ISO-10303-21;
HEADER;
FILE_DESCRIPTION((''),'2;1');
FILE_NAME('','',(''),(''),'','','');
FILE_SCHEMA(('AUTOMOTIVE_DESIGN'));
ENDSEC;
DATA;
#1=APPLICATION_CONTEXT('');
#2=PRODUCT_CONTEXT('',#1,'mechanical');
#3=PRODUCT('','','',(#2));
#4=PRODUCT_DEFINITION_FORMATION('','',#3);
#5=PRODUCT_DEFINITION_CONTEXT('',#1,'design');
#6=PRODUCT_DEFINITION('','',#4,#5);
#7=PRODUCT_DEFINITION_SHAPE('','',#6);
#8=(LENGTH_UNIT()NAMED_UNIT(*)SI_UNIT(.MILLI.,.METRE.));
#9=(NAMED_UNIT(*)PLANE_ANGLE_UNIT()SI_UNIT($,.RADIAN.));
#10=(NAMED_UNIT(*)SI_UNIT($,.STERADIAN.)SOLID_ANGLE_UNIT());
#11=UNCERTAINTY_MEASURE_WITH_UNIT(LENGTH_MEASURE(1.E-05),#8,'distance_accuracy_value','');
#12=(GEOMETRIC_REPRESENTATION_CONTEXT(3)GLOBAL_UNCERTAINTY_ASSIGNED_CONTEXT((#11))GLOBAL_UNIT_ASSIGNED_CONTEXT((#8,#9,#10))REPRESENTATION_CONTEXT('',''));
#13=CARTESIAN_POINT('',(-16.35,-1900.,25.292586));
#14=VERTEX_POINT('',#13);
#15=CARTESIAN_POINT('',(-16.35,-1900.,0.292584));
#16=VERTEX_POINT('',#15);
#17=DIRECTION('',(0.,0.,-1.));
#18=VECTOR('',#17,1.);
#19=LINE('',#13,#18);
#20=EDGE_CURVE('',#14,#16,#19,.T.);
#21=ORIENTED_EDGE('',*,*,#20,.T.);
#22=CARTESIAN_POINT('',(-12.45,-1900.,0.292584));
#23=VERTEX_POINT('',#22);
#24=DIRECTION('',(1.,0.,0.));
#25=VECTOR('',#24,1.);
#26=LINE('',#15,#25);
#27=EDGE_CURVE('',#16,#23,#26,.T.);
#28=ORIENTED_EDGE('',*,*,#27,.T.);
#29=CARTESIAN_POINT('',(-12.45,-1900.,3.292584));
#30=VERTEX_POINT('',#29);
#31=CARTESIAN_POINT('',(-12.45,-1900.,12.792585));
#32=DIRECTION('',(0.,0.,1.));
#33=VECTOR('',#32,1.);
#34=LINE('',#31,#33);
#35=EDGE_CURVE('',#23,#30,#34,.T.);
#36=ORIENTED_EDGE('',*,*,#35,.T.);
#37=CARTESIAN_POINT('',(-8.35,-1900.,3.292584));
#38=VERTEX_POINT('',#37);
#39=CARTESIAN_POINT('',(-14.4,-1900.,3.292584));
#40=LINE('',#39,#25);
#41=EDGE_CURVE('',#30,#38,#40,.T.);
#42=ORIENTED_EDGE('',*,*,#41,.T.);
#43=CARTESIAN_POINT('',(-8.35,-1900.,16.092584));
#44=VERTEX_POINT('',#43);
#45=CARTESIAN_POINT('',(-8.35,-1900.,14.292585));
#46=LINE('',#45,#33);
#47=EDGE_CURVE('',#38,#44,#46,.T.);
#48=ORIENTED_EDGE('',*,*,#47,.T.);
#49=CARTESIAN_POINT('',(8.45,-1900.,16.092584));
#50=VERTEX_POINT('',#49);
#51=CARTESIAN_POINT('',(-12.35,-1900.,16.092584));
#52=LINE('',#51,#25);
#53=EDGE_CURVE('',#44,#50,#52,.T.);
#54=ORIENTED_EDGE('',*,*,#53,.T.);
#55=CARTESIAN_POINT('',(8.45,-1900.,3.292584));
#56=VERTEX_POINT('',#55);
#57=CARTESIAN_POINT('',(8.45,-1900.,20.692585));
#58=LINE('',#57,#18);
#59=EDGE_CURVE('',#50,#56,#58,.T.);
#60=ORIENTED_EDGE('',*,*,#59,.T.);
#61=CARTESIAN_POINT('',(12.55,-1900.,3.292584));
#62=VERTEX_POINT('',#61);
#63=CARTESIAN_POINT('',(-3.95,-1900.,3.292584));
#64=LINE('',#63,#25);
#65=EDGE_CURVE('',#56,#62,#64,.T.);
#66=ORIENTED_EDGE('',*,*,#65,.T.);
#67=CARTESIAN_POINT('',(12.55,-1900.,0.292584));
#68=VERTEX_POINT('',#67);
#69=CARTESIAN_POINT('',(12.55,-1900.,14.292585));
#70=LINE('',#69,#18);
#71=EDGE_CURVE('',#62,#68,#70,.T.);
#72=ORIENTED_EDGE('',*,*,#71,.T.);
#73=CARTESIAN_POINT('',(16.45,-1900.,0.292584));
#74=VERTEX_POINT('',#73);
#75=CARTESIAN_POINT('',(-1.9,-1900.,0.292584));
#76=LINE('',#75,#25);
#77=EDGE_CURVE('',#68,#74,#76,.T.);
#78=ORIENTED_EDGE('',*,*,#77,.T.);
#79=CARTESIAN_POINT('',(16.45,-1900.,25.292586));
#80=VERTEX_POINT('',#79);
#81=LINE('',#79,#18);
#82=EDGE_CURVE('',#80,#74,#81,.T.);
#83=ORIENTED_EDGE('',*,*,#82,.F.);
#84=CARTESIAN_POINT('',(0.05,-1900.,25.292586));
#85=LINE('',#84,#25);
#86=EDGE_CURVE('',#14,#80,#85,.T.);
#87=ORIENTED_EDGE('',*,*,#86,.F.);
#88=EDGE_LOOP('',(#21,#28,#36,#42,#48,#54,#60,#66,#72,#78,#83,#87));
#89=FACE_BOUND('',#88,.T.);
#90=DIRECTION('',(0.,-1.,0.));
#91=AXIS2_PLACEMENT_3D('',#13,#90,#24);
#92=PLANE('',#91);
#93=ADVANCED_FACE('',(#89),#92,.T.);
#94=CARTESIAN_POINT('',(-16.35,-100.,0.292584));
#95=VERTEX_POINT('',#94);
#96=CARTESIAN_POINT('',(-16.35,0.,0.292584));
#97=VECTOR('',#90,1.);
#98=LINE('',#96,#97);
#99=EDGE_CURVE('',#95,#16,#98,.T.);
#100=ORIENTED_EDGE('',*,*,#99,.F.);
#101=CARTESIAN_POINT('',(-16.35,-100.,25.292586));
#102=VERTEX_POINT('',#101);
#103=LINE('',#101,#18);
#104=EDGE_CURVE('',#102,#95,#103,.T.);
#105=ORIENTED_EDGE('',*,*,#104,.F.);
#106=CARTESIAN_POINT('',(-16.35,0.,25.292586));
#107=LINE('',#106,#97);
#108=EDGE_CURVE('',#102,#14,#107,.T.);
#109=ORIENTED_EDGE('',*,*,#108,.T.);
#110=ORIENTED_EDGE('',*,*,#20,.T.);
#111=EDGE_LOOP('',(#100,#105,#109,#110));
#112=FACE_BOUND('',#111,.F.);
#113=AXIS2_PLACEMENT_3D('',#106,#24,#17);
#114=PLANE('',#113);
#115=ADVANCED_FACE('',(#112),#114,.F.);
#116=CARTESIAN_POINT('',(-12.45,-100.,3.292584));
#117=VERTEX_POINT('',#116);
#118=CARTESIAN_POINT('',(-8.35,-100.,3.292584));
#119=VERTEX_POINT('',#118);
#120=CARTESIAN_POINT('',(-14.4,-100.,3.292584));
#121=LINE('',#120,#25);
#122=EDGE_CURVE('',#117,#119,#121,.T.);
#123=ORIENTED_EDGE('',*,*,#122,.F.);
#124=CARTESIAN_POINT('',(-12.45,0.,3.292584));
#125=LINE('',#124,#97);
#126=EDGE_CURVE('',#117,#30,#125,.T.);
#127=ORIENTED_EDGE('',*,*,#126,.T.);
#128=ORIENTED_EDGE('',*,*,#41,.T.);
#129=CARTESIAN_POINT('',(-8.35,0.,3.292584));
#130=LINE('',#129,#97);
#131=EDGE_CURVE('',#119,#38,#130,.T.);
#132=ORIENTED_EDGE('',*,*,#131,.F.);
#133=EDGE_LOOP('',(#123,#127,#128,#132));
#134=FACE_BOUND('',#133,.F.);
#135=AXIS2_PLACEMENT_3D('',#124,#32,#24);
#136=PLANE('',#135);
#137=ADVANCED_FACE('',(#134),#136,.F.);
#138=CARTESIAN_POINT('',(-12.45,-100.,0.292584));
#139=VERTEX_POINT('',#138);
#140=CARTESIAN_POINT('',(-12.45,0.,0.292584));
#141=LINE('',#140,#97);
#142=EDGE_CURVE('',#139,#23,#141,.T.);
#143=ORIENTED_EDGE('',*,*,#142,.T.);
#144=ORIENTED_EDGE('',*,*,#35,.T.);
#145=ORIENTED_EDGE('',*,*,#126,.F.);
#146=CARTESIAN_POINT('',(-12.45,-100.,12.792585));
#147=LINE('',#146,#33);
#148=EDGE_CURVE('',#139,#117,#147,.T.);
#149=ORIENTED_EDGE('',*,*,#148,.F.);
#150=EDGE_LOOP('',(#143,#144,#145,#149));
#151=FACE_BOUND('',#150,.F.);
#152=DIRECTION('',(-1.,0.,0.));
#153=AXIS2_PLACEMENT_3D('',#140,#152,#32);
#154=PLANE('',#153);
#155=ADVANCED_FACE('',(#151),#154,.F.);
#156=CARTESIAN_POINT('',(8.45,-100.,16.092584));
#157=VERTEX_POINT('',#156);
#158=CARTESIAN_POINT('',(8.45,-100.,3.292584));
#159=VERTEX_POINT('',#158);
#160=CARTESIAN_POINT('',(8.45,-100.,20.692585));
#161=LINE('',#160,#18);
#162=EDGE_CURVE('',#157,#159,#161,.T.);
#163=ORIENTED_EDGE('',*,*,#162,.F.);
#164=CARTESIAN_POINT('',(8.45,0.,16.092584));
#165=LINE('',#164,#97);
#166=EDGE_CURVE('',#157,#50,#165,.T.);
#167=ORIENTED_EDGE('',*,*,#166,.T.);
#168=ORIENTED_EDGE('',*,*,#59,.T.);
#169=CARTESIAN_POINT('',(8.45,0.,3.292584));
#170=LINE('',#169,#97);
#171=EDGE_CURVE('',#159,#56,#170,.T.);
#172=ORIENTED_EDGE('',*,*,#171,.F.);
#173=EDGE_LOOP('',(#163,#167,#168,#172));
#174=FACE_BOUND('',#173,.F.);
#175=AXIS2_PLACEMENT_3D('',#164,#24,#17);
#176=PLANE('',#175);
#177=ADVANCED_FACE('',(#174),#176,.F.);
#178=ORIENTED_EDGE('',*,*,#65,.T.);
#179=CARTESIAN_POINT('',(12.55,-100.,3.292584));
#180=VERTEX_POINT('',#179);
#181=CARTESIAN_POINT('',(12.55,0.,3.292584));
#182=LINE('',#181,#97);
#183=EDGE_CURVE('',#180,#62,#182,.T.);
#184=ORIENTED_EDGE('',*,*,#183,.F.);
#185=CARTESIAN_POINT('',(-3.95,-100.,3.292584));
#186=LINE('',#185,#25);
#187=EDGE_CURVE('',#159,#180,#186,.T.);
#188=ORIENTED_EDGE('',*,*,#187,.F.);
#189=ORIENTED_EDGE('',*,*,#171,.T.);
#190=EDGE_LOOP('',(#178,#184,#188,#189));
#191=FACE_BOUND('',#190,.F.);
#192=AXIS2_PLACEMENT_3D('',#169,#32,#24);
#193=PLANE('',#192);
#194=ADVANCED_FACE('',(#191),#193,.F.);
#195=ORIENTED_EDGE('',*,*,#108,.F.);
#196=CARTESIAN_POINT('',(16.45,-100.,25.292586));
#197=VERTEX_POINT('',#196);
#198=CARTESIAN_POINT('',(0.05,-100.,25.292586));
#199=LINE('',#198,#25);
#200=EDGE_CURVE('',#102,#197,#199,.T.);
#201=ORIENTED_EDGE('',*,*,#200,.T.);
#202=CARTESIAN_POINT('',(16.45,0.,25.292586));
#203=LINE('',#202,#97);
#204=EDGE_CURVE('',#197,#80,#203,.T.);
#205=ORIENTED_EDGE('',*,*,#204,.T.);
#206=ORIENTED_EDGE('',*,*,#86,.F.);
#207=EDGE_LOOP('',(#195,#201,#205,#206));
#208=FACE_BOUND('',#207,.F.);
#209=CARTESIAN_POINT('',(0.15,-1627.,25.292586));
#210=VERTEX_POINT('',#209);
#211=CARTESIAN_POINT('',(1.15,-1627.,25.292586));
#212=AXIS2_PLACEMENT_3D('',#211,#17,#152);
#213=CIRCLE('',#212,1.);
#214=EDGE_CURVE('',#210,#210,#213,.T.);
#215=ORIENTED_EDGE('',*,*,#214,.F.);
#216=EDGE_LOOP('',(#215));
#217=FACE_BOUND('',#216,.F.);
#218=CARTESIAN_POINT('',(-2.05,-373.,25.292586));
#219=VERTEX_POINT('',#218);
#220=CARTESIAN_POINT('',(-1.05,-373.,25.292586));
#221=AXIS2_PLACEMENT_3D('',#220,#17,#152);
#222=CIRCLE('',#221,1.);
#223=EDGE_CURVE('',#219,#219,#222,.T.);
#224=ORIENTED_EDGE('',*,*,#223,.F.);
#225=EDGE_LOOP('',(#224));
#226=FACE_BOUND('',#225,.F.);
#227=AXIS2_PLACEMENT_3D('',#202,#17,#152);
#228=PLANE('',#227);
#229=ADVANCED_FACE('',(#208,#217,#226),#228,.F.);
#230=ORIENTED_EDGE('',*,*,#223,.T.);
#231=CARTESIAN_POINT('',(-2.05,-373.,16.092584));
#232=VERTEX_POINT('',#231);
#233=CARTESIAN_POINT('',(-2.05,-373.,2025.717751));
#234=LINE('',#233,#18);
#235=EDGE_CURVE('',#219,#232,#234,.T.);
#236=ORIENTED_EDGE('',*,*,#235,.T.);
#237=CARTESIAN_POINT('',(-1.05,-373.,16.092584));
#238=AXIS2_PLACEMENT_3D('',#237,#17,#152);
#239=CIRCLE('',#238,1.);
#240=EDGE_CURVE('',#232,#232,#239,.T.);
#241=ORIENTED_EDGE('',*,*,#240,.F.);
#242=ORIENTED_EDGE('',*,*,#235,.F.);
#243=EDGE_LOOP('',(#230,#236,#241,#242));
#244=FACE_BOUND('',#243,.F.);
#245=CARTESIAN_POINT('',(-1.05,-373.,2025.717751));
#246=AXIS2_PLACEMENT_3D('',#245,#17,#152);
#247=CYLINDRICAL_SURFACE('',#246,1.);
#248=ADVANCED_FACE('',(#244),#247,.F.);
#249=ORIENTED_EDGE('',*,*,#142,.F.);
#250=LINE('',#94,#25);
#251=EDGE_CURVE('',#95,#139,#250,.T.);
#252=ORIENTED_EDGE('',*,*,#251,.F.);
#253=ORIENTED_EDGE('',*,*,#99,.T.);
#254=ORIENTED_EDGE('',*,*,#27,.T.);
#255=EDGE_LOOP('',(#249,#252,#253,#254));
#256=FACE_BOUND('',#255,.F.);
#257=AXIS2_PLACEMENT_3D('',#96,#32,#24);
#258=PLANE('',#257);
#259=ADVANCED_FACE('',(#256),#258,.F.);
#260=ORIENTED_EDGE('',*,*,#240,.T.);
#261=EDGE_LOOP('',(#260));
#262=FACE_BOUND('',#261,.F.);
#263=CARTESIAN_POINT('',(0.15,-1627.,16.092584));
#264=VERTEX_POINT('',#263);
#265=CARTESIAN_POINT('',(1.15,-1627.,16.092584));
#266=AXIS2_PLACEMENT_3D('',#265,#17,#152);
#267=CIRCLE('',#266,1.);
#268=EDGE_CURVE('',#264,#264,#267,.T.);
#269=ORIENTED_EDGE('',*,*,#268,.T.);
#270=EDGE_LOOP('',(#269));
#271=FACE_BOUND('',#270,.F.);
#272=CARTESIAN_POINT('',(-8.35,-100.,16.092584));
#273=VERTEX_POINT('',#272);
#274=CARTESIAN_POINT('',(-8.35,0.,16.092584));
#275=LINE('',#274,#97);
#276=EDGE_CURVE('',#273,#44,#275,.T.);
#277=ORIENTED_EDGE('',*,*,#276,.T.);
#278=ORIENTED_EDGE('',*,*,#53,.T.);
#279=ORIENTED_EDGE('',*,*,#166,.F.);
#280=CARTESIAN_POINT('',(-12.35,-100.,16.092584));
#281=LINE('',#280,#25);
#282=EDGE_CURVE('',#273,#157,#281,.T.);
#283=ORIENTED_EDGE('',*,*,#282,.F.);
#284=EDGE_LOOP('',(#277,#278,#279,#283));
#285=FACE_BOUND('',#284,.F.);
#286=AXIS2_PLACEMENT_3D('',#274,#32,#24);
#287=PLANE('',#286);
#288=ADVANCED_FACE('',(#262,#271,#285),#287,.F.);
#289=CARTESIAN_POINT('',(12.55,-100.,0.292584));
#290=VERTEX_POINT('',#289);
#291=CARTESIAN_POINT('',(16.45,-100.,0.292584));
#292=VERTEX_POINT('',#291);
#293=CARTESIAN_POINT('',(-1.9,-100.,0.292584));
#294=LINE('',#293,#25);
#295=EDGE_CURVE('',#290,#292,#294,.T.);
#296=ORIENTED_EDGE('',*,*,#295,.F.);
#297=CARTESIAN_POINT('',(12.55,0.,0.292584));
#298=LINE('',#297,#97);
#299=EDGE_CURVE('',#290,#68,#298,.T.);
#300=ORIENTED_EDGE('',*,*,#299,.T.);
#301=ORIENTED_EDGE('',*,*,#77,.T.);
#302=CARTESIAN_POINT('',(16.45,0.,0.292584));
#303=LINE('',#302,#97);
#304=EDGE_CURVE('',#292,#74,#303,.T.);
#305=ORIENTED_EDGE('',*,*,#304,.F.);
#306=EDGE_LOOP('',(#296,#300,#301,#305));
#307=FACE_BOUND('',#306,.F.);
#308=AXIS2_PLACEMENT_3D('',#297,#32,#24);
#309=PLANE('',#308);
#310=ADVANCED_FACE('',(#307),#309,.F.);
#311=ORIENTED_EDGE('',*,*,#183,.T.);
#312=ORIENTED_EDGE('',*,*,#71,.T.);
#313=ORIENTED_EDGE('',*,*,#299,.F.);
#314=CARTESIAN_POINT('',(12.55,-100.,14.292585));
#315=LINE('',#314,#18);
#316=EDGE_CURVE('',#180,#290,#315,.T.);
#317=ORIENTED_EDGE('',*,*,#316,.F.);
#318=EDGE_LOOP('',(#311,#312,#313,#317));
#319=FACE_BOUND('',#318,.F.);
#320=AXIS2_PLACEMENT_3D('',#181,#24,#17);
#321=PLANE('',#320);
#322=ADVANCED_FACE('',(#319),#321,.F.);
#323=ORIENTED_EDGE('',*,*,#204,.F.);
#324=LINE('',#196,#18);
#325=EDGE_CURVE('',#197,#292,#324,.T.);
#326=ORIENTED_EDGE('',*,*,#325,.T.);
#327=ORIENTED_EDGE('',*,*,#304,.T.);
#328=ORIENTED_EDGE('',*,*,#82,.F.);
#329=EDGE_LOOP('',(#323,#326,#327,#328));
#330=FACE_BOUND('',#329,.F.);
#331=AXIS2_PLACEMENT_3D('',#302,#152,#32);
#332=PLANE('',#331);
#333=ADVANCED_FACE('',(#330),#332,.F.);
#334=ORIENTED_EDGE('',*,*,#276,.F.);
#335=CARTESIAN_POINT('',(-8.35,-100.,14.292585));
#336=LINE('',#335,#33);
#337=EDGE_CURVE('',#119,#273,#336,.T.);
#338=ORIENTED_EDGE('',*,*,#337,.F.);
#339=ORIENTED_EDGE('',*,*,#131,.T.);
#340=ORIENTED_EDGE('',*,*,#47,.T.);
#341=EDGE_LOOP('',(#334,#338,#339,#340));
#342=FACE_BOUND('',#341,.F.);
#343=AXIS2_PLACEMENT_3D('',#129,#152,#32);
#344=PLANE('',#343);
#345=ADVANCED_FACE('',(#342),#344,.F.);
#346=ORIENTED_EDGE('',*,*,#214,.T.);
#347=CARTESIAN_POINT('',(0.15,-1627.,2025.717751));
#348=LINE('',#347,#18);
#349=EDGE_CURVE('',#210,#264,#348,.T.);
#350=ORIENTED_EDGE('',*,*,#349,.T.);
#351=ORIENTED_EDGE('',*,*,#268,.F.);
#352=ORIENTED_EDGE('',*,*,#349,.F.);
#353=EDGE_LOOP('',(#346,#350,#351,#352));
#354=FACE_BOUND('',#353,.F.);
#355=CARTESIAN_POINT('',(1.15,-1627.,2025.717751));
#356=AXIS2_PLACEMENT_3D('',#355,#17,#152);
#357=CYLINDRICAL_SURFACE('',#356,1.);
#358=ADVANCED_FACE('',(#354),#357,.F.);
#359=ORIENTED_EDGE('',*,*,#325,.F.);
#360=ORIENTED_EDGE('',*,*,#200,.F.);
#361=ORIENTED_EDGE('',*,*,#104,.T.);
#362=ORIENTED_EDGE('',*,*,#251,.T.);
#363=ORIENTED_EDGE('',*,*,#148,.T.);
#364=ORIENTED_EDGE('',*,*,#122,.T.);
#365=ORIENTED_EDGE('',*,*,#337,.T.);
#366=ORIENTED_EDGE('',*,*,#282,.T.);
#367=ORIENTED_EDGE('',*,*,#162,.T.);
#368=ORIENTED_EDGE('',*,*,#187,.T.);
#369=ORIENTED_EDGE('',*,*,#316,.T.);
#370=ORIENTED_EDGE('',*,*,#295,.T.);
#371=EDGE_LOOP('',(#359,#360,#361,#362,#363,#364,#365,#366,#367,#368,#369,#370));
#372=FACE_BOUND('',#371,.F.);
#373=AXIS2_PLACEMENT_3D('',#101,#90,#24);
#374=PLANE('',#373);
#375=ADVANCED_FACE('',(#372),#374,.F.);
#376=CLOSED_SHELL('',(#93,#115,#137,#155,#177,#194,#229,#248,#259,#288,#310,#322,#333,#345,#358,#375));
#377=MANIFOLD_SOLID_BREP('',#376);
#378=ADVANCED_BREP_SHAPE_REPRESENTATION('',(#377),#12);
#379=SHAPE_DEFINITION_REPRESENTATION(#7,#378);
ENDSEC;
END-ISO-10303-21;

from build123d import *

# Parameters (mm, degrees)
F0_W     = 3.9
F0_H     = 3
F0_W_2   = 4.1
F0_H_2   = 5.1741511822
F1_DEPTH = 2000
F3_D     = 2
F4_W     = 32.8
F4_H     = 100
F5_DEPTH = 25.0010018114


with BuildPart() as f1:
    # F0 (on Front) → F1 (new body)
    with BuildSketch(Plane.XZ):
        with Locations((14.5, 1.7925839761)):
            Rectangle(F0_W, F0_H)
        Polygon((-16.35, 25.2925857875), (-16.35, 0.2925839761), (-12.45, 0.2925839761), (-12.45, 3.2925839761), (-12.45, 8.4667351583), (-8.35, 8.4667351583), (-8.35, 16.0925839761), (8.45, 16.0925839761), (8.45, 8.4667351583), (12.55, 8.4667351583), (12.55, 3.2925839761), (16.45, 3.2925839761), (16.45, 25.2925857875), align=None)
        with Locations((-10.4, 5.8796595672)):
            Rectangle(F0_W_2, F0_H_2)
        with Locations((10.5, 5.8796595672)):
            Rectangle(F0_W_2, F0_H_2)
    extrude(amount=F1_DEPTH)

    # F3 (through all)
    with Locations(Plane.XY.offset(25.2925857875)):
        with Locations((-1.05, -373), (1.15, -1627)):
            Hole(F3_D / 2)

    # F4 (on face) → F5 (cut, through all)
    with BuildSketch(Plane.XY.offset(25.2925857875)):
        with Locations((0.05, -50)):
            Rectangle(F4_W, F4_H)
        with Locations((0.05, -1950)):
            Rectangle(F4_W, F4_H)
    extrude(amount=-F5_DEPTH, mode=Mode.SUBTRACT)


solid = f1.part
